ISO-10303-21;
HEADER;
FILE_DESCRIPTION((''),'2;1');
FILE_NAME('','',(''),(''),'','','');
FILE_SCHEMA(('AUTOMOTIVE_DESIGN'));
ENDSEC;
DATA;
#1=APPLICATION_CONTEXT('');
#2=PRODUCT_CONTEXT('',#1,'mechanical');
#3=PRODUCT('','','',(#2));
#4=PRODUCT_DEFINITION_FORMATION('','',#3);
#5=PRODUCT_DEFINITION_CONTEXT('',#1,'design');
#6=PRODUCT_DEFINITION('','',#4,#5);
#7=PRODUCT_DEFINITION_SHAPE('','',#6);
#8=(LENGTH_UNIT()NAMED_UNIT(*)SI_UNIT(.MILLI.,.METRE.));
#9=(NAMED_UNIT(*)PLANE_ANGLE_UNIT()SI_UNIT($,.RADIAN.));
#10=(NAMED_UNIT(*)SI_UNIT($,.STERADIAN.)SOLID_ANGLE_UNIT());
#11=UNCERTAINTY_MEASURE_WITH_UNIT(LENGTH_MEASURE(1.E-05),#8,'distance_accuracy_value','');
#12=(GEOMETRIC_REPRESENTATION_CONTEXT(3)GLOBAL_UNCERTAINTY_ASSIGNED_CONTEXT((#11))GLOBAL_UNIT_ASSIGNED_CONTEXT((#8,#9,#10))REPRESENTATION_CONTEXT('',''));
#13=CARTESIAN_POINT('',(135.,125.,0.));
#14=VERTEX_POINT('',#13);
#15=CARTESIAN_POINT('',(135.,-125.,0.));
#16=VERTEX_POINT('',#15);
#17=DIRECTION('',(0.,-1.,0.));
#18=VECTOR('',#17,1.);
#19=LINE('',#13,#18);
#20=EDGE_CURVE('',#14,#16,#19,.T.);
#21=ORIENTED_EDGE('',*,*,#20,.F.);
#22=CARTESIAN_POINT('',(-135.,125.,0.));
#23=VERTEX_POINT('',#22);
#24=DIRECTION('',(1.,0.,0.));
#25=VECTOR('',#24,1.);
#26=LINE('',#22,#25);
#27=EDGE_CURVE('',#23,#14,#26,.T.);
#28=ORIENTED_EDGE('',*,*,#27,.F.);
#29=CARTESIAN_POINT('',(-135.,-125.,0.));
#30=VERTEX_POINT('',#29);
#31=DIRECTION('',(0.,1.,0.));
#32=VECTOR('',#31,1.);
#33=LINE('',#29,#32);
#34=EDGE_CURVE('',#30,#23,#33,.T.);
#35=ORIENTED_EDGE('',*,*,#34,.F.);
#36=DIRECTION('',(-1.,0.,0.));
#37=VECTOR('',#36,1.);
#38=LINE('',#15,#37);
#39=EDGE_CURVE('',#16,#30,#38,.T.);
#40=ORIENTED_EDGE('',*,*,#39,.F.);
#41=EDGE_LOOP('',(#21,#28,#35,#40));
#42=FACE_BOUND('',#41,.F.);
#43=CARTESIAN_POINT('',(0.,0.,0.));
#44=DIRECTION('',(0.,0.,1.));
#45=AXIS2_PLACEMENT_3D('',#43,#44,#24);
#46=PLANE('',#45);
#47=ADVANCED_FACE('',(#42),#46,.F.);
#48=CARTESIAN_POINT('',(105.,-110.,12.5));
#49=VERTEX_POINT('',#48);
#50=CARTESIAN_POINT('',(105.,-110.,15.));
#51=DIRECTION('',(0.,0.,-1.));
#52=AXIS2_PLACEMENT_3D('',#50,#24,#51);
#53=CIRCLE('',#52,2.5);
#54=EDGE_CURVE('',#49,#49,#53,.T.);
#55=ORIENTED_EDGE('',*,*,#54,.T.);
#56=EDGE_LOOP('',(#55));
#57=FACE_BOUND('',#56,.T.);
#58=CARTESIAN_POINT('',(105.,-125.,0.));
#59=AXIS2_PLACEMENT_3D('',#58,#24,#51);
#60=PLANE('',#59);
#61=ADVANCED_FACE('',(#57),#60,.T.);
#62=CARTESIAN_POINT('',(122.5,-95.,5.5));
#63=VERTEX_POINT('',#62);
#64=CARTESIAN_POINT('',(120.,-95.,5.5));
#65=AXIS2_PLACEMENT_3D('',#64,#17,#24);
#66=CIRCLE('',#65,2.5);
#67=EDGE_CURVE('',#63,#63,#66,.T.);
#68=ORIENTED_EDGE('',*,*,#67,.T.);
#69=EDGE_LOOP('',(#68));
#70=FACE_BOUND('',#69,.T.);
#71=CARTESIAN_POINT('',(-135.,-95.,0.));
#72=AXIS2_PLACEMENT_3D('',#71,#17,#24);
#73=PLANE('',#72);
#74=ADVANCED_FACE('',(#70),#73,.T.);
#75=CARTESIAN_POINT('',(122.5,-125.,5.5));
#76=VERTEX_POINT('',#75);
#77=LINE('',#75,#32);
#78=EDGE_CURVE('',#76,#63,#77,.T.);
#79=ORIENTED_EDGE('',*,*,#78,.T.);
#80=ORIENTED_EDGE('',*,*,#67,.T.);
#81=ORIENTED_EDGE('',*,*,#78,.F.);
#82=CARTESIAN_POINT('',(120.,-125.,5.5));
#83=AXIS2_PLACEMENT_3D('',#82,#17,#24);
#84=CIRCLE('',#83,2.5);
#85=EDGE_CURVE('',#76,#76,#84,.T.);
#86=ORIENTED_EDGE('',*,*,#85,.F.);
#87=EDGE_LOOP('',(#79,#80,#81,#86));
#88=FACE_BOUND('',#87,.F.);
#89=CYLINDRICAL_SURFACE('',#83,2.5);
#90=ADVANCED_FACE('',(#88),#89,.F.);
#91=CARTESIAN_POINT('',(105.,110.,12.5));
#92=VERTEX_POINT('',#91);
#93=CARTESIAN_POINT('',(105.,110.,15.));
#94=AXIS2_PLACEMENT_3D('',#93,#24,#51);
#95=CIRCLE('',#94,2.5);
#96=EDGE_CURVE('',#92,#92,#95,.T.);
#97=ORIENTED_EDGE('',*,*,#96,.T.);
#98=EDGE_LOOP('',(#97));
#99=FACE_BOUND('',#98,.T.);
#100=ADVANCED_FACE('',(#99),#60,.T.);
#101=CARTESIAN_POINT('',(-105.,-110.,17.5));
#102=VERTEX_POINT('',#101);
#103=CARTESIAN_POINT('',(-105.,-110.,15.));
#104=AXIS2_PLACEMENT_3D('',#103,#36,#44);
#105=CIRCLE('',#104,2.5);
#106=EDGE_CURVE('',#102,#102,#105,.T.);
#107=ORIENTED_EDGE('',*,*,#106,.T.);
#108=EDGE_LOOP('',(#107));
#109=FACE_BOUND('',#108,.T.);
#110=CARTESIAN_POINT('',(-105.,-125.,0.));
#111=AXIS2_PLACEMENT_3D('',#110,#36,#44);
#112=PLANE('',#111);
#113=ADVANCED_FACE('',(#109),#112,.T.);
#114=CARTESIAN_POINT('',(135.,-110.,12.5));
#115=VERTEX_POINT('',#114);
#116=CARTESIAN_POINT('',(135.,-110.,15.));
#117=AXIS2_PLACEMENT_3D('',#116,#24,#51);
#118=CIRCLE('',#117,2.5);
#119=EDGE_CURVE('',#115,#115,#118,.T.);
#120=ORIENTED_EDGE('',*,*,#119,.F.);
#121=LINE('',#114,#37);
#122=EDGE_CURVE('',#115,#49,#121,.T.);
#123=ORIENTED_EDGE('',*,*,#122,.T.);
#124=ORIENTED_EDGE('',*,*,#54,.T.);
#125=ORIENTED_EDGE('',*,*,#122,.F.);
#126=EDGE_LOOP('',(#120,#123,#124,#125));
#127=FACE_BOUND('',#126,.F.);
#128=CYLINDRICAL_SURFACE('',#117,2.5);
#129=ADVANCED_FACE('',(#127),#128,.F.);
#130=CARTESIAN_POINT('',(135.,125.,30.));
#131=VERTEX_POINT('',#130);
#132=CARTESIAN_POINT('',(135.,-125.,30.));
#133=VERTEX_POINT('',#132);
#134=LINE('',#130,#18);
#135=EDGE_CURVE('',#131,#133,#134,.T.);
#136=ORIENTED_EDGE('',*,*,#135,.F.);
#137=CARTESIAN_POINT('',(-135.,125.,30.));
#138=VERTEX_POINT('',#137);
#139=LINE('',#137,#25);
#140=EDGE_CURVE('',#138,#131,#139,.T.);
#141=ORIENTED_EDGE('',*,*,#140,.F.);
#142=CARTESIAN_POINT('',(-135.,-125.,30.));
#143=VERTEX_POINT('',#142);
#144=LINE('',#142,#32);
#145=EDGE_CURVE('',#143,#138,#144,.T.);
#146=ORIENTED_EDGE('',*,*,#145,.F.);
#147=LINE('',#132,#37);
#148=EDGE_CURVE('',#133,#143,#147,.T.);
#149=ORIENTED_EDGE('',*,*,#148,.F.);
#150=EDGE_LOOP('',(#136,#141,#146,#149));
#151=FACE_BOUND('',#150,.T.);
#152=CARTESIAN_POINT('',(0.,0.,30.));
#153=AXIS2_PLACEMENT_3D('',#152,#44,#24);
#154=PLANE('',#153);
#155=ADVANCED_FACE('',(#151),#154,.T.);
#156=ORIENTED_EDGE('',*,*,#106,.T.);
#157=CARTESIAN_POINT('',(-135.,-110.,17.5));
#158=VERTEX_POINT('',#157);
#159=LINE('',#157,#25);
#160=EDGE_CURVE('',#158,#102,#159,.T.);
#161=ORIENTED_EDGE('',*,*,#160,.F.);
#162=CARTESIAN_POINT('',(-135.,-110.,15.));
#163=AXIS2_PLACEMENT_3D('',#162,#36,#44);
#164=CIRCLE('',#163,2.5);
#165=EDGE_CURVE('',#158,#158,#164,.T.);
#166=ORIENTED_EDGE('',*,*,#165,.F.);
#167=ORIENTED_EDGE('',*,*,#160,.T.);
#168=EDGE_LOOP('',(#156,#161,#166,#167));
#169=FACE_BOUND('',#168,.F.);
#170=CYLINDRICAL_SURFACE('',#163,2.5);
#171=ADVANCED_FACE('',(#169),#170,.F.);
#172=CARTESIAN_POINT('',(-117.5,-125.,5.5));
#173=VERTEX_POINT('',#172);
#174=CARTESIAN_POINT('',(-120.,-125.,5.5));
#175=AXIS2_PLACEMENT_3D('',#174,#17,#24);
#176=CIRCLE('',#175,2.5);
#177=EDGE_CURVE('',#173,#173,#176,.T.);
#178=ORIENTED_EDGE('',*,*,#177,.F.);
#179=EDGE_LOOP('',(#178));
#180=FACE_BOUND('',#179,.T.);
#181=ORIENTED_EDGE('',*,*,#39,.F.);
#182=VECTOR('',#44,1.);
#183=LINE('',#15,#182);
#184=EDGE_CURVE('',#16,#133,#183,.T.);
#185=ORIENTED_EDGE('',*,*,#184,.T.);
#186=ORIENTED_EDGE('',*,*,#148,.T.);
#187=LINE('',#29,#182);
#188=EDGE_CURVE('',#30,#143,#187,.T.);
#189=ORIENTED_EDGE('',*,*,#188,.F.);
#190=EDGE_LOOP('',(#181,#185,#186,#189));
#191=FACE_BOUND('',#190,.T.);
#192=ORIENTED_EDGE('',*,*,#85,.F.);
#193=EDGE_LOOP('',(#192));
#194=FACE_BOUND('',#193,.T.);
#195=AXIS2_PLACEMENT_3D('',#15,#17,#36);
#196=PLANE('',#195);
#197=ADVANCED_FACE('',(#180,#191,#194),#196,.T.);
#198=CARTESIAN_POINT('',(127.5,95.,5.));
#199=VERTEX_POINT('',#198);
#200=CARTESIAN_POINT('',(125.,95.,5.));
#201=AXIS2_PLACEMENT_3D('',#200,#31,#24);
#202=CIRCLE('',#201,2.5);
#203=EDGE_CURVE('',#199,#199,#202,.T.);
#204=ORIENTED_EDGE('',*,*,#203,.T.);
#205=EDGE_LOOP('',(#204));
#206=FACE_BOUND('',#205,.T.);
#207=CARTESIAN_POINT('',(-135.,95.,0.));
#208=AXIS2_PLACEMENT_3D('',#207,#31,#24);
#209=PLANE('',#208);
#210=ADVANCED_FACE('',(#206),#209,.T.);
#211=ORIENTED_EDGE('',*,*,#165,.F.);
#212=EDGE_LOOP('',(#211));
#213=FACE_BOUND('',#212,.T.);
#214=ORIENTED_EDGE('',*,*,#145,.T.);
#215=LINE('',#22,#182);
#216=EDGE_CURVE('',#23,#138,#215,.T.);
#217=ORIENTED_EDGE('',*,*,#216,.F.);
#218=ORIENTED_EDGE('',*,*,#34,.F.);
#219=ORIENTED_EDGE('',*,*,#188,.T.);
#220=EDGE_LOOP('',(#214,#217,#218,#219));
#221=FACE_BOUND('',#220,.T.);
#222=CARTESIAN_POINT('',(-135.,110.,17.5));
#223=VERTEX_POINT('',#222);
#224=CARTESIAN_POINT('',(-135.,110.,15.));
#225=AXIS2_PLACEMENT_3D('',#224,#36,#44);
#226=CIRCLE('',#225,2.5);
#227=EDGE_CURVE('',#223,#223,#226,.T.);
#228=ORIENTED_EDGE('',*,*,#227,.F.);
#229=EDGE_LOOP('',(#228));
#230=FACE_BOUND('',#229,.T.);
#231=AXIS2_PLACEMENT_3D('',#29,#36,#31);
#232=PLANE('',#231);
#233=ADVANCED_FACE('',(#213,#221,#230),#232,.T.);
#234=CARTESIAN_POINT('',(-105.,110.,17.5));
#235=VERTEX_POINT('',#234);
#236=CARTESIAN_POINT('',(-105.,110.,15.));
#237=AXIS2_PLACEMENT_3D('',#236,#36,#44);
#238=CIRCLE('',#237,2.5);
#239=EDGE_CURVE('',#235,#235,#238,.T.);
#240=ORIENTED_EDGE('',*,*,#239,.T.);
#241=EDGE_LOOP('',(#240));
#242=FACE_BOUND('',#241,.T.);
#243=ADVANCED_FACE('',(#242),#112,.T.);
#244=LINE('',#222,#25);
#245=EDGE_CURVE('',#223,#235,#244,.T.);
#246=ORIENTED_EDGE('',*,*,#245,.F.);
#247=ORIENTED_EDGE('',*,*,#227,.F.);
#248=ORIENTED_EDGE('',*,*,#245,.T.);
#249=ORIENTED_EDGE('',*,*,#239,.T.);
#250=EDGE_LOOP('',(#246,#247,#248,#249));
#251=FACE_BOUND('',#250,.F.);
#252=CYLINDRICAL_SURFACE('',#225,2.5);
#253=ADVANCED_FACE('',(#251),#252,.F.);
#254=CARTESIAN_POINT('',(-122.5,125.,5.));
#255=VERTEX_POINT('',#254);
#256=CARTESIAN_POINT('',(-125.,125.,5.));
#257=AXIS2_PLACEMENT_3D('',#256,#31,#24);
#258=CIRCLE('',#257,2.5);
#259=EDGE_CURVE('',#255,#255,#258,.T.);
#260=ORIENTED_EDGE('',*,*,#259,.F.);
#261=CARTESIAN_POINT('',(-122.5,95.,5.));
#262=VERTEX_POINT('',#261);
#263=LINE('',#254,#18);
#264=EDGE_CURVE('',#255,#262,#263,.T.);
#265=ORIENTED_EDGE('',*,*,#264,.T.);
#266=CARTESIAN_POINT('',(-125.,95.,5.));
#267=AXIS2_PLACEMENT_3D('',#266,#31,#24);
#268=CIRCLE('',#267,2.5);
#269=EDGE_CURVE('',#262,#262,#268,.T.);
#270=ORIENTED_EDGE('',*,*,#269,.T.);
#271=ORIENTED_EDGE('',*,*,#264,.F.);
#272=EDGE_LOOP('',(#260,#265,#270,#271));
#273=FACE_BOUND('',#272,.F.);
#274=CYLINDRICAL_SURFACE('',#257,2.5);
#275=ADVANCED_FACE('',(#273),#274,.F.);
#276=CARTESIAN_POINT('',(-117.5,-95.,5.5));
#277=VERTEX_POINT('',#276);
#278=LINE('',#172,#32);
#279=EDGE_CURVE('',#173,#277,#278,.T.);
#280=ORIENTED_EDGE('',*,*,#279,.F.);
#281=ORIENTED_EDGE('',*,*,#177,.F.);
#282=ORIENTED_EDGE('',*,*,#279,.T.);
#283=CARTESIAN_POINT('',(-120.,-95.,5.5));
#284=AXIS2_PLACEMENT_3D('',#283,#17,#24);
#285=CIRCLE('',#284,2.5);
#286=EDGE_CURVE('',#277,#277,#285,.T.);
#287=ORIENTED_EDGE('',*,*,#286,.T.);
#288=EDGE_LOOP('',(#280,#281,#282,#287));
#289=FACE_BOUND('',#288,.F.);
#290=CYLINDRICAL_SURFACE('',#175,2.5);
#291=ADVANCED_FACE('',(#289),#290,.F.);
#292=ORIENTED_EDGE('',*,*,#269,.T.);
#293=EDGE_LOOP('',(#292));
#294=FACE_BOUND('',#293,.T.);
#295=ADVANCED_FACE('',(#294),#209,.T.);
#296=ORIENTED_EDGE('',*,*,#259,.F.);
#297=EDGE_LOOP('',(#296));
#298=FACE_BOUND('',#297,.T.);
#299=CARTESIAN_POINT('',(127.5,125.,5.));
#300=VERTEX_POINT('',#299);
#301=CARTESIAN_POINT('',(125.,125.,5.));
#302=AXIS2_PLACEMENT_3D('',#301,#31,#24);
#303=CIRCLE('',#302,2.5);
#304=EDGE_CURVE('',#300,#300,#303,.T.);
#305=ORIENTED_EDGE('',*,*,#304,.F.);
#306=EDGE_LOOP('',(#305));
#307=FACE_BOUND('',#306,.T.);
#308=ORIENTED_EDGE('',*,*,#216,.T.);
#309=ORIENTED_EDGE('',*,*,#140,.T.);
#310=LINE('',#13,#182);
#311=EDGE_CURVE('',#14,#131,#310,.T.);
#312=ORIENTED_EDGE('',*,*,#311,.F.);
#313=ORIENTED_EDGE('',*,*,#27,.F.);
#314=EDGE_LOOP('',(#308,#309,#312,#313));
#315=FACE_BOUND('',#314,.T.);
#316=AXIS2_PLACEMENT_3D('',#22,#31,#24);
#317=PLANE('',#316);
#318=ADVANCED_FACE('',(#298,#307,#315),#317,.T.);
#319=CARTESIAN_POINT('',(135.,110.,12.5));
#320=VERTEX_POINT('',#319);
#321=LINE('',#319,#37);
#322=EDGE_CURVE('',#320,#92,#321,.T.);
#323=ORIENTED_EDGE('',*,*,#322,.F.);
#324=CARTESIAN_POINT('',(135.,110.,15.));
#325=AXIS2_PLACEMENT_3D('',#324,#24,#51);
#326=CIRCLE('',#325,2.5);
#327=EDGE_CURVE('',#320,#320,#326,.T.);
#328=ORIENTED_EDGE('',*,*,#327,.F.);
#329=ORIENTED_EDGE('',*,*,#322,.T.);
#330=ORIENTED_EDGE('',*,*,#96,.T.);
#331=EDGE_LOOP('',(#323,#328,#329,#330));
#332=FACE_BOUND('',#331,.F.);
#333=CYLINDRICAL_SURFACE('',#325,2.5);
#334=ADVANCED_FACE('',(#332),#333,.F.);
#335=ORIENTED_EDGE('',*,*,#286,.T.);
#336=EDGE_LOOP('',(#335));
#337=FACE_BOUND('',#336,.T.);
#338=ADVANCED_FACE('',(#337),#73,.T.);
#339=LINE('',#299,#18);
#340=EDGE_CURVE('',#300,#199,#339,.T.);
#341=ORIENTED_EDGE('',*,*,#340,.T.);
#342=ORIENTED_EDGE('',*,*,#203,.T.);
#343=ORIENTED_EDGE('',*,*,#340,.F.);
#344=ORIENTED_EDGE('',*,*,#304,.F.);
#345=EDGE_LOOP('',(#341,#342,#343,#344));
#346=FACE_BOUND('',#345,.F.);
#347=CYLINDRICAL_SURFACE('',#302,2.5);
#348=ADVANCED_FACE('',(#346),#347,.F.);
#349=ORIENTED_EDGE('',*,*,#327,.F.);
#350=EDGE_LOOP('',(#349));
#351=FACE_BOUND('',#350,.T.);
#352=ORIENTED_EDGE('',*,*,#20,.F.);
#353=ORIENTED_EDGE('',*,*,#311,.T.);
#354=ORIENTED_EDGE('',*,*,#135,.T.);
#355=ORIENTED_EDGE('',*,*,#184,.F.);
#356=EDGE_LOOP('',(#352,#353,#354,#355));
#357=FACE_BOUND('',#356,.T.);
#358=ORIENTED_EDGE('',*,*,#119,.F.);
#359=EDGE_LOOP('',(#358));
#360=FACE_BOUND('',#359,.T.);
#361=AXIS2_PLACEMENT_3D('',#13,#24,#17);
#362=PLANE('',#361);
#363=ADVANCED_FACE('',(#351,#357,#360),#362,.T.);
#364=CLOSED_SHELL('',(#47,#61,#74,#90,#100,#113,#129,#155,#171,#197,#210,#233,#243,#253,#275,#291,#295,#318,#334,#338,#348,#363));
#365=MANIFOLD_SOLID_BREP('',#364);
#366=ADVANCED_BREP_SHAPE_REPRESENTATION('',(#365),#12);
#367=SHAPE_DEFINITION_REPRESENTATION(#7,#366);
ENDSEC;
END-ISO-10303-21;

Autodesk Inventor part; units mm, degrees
ref_plane "YZ Plane" through (0, 0, 0) normal (1, 0, 0) x (0, 1, 0)
ref_plane "XZ Plane" through (0, 0, 0) normal (0, 1, 0) x (-1, 0, 0)
ref_plane "XY Plane" through (0, 0, 0) normal (0, 0, 1) x (1, 0, 0)
sketch "스케치1" plane through (0, 0, 0) normal (0, 0, 1) x (1, 0, 0)
  line L0 (135, -125) -> (-135, -125)
  line L1 (-135, -125) -> (-135, 125)
  line L2 (-135, 125) -> (135, 125)
  line L3 (135, 125) -> (135, -125)
  line L4 (135, -125) -> (-135, 125) construction
  line L5 (-135, -125) -> (135, 125) construction
  point P0 (0, 0)
  dimension "d0" = 270
  dimension "d1" = 250
extrude "돌출1" add sketch "스케치1" along normal blind 30
sketch "스케치2" plane through (-135, -125, 0) normal (0, -1, 0) x (1, 0, 0)
  circle A0 centre (15, 5.5) radius 2.5
  line L0 (270, 0) -> (0, 0) projected
  circle A1 centre (255, 5.5) radius 2.5
  line L1 (0, 0) -> (0, 30) projected
  line L2 (270, 0) -> (270, 30) projected
  point P0 (135, 0)
  dimension "d4" = 5
  dimension "d6" = 3
  dimension "d7" = 5
  dimension "d8" = 15
  dimension "d9" = 15
extrude "돌출2" cut sketch "스케치2" against normal blind 30
sketch "스케치3" plane through (-135, -125, 0) normal (-1, 0, 0) x (0, 0, 1)
  circle A0 centre (15, 235) radius 2.5
  circle A1 centre (15, 15) radius 2.5
  line L0 (0, 0) -> (30, 0) projected
  line L1 (0, 0) -> (0, 250) projected
  line L2 (0, 250) -> (30, 250) projected
  point P0 (0, 125)
  dimension "d12" = 5
  dimension "d13" = 5
  dimension "d14" = 15
  dimension "d15" = 15
  dimension "d16" = 15
  dimension "d17" = 15
extrude "돌출3" cut sketch "스케치3" against normal blind 30
sketch "스케치4" plane through (-135, 125, 0) normal (0, 1, 0) x (1, 0, 0)
  circle A0 centre (260, -5) radius 2.5
  circle A1 centre (10, -5) radius 2.5
  line L0 (0, 0) -> (270, 0) projected
  line L1 (270, 0) -> (270, -30) projected
  line L2 (0, 0) -> (0, -30) projected
  point P0 (135, 0)
  dimension "d20" = 5
  dimension "d21" = 5
  dimension "d22" = 5
  dimension "d23" = 10
  dimension "d24" = 10
  dimension "d25" = 5
extrude "돌출4" cut sketch "스케치4" against normal blind 30
sketch "스케치5" plane through (135, -125, 0) normal (1, 0, 0) x (0, 0, -1)
  circle A0 centre (-15, 15) radius 2.5 projected
  circle A1 centre (-15, 15) radius 2.5
  circle A2 centre (-15, 235) radius 2.5 projected
  circle A3 centre (-15, 235) radius 2.5
  point P0 (0, 125)
  dimension "d28" = 5
  dimension "d29" = 5
extrude "돌출5" cut sketch "스케치5" against normal blind 30 contours A2
extrude "돌출6" cut sketch "스케치5" against normal blind 30 contours A0
properties part number "240626_tablep1"
